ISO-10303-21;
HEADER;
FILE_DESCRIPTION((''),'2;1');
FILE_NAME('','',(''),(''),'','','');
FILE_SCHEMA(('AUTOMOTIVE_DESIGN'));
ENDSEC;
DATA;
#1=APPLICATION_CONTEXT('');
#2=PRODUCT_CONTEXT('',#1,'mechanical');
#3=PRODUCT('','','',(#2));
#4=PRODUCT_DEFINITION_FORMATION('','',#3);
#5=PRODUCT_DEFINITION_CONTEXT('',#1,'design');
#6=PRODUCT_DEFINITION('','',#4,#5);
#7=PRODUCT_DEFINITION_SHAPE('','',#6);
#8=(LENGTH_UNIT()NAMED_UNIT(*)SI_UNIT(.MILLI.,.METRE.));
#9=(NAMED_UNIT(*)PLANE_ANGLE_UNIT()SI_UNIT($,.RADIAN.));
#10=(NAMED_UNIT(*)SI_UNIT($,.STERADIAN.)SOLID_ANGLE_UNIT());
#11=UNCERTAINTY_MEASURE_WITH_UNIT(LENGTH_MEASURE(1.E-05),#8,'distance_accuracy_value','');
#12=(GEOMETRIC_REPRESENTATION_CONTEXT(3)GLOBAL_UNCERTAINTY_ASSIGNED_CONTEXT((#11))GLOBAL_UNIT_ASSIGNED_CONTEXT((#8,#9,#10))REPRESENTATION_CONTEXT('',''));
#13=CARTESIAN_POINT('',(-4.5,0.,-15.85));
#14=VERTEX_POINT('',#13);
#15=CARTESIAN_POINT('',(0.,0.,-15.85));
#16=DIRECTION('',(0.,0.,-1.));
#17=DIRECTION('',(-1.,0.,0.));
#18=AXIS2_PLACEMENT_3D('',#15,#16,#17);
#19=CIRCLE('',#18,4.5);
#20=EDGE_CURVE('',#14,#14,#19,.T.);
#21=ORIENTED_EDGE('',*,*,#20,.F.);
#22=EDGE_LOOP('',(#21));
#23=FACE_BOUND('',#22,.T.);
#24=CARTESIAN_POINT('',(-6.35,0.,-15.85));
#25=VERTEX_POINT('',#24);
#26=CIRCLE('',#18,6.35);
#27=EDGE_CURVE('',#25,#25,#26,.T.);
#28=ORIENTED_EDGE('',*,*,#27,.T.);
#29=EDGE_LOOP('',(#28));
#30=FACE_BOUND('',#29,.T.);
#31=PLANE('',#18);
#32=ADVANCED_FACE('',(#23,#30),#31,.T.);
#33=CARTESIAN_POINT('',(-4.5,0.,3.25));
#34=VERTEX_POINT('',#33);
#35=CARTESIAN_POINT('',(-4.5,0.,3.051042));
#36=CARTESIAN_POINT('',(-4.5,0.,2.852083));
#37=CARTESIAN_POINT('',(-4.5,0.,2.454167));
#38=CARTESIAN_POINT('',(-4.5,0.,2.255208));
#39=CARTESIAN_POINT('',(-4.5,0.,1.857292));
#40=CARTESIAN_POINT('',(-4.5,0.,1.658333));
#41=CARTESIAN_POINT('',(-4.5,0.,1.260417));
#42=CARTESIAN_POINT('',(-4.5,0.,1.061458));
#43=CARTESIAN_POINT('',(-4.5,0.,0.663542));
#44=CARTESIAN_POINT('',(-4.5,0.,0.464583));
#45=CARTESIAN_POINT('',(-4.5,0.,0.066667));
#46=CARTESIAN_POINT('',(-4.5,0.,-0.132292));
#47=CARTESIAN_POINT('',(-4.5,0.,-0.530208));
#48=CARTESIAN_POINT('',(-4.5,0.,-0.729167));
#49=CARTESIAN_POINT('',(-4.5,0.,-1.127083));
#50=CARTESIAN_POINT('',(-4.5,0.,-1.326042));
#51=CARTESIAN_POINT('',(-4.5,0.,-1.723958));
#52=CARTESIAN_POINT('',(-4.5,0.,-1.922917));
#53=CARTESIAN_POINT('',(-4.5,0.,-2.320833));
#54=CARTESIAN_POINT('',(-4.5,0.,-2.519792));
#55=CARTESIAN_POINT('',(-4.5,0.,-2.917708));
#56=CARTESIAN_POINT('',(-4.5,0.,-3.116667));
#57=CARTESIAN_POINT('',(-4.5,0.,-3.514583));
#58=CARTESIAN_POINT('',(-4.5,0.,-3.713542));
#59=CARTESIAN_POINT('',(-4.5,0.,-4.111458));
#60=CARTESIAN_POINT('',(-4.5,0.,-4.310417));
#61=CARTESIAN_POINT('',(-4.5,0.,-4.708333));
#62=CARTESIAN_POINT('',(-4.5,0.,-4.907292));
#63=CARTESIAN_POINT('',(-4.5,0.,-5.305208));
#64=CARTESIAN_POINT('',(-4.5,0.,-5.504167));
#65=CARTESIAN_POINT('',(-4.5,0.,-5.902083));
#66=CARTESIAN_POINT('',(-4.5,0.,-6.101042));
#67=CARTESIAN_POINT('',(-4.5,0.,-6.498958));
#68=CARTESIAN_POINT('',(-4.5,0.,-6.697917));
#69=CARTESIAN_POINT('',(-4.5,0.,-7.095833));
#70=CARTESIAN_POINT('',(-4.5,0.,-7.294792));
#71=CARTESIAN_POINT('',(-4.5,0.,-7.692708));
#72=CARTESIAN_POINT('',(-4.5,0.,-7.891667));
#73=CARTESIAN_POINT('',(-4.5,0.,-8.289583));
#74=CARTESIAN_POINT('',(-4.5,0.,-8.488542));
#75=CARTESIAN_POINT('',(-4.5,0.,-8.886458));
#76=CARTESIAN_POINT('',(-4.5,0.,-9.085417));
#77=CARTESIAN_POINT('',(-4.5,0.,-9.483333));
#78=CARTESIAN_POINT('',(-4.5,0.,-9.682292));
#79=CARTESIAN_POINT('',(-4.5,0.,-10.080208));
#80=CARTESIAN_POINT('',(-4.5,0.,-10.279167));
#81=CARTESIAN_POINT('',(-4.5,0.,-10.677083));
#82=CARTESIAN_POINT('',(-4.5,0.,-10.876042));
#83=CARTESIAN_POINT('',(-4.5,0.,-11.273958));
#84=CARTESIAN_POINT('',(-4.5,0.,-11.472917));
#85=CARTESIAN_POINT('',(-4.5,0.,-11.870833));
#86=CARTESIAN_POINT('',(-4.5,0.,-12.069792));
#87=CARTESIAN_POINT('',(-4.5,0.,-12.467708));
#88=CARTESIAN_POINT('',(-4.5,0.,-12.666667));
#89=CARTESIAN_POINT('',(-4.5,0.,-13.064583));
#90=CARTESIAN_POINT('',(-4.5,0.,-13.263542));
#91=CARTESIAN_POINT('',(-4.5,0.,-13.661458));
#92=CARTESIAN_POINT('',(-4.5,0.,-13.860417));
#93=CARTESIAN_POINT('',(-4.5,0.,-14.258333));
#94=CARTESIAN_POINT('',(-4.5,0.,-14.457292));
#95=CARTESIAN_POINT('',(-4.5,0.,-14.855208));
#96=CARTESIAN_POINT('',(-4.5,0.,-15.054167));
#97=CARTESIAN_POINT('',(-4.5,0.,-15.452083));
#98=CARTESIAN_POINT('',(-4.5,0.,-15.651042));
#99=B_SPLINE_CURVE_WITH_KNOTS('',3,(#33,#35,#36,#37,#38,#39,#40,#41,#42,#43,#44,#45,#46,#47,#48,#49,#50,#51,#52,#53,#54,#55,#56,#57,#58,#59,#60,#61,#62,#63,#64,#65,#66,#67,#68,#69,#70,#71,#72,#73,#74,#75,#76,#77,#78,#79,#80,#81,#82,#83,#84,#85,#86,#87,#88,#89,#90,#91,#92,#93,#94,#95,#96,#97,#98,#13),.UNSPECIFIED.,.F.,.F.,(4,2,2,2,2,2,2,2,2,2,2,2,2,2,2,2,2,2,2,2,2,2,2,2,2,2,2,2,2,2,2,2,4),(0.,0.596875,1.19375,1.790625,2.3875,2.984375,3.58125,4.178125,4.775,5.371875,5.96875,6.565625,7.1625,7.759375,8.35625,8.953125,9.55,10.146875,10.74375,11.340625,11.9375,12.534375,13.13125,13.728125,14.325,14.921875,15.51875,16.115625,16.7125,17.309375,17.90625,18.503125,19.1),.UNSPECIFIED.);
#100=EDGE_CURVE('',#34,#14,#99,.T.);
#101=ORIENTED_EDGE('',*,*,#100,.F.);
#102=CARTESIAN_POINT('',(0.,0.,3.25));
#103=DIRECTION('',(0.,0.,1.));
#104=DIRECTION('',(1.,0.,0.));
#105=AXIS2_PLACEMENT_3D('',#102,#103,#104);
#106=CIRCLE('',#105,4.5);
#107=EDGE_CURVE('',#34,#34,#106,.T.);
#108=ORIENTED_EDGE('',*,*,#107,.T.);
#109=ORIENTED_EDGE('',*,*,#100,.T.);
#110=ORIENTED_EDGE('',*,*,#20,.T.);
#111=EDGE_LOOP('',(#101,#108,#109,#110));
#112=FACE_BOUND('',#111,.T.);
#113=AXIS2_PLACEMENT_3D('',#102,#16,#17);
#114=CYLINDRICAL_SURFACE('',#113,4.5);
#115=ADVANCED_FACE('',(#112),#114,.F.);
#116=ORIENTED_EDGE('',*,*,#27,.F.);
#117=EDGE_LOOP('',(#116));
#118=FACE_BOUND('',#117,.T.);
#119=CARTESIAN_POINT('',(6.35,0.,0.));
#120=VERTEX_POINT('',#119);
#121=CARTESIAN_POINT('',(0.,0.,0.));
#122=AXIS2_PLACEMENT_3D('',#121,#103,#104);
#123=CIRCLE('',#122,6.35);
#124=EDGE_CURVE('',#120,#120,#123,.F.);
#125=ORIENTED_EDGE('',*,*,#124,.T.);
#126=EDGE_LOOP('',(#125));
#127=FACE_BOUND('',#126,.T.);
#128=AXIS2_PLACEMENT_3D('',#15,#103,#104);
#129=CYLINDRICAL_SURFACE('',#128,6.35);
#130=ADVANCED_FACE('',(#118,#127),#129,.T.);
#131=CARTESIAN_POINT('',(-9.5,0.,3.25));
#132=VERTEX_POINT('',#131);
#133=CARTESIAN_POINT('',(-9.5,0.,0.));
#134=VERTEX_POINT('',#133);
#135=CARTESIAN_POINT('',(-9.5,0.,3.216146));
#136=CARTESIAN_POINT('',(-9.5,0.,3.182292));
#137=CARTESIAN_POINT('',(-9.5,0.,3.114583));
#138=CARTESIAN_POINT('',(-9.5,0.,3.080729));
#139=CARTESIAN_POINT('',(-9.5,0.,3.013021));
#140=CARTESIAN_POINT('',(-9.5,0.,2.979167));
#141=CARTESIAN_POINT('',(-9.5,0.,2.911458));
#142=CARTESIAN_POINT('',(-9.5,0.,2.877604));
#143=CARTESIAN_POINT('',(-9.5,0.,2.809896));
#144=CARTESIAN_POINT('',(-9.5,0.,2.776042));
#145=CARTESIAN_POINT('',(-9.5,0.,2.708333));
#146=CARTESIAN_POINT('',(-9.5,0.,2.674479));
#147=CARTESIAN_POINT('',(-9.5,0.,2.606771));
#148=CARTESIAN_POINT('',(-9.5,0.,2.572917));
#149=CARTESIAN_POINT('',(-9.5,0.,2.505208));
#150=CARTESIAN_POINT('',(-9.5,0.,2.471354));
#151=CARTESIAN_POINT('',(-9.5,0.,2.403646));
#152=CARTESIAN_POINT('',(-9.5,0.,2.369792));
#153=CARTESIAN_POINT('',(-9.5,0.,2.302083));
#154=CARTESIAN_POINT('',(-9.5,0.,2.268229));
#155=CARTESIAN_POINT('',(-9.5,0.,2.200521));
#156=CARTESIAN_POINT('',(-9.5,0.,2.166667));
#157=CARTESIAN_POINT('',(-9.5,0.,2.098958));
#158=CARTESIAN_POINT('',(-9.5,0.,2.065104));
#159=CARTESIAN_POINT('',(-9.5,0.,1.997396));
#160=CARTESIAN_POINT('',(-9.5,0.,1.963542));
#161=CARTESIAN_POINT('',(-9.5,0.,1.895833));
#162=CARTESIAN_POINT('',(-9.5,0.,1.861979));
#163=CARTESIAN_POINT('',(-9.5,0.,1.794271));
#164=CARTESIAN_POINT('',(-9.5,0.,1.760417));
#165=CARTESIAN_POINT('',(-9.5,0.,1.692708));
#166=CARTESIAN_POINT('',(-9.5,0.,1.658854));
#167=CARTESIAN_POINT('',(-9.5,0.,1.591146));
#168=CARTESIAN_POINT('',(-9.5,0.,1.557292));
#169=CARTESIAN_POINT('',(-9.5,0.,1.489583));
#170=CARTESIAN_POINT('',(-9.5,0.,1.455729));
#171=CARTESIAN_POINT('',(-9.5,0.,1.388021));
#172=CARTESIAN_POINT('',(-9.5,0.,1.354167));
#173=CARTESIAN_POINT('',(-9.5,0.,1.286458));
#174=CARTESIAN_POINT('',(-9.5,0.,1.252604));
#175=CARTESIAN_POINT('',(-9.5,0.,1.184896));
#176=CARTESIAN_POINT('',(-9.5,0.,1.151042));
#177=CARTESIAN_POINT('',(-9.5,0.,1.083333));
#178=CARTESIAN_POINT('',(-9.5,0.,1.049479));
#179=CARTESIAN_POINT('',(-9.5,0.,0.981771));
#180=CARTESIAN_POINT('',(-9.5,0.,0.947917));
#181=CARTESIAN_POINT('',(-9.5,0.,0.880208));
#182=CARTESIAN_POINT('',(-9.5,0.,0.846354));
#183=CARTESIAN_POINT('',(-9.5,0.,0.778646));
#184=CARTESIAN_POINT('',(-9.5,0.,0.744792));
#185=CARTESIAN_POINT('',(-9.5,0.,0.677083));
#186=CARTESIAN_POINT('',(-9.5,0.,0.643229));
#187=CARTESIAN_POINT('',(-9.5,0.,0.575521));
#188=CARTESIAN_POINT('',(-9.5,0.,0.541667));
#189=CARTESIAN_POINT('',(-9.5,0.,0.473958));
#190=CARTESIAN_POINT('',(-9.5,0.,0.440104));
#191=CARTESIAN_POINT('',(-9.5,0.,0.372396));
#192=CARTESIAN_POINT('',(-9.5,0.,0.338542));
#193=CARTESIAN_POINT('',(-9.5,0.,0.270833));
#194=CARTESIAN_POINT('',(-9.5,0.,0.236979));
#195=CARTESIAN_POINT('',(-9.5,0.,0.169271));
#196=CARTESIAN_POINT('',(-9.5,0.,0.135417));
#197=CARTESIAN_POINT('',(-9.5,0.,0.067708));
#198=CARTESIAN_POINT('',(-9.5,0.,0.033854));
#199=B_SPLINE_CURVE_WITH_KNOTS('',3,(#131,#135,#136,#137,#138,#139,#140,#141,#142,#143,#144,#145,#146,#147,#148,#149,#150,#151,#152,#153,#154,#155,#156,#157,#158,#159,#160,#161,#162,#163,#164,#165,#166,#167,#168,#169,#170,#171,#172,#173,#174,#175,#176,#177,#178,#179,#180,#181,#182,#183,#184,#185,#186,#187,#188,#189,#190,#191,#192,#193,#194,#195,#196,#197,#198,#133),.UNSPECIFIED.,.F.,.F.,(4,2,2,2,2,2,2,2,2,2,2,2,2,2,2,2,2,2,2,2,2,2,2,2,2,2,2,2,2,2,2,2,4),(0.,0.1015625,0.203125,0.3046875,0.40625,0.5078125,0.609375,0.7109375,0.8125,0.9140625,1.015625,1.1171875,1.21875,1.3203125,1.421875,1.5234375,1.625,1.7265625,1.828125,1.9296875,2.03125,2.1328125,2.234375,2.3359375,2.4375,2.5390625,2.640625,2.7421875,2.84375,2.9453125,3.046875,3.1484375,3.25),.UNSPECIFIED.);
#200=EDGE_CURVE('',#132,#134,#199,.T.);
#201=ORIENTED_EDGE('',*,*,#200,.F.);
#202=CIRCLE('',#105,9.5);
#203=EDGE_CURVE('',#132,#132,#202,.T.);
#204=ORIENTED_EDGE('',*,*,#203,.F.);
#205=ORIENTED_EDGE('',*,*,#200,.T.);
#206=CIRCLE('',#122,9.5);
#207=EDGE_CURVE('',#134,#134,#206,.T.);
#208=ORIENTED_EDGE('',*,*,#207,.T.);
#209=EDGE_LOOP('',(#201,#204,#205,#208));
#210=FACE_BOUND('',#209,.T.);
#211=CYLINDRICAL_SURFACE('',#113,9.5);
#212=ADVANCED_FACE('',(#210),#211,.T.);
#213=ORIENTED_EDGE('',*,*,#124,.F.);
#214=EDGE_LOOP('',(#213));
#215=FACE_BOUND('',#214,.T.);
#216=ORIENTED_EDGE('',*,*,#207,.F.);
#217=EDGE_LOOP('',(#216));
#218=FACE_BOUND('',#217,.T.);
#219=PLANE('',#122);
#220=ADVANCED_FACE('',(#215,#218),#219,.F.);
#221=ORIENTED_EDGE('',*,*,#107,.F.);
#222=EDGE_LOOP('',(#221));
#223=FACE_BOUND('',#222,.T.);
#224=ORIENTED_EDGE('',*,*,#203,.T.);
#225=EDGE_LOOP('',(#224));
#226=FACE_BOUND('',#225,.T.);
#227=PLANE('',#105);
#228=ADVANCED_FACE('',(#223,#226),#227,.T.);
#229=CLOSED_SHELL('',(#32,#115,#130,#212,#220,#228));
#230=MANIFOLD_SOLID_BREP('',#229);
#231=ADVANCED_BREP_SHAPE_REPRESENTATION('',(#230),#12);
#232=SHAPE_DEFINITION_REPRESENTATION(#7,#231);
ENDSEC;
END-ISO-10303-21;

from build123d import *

# Parameters (mm, degrees)
SKETCH_1_R      = 9.5
SKETCH_1_R_2    = 4.5
EXTRUDE_1_DEPTH = 3.25
EXTRUDE_START   = 15.85
SKETCH_2_R      = 6.35
SKETCH_2_R_2    = 4.5
EXTRUDE_2_DEPTH = 15.85


with BuildPart() as part:
    # Эскиз1 → Бобышка-Вытянуть1 (new body)
    with BuildSketch(Plane.XY):
        with Locations(Location((0, 0, 0), (0, 0, 180))):
            Circle(SKETCH_1_R)
        with Locations(Location((0, 0, 0), (0, 0, 180))):
            Circle(SKETCH_1_R_2, mode=Mode.SUBTRACT)
    extrude(amount=EXTRUDE_1_DEPTH)

    # Эскиз2 → Бобышка-Вытянуть2 (add)
    with BuildSketch(Plane(origin=(0, 0, 0), x_dir=(-1, 0, 0), z_dir=(0, 0, -1)).offset(EXTRUDE_START)):
        with Locations(Location((0, 0, 0), (0, 0, 180))):
            Circle(SKETCH_2_R)
        Circle(SKETCH_2_R_2, mode=Mode.SUBTRACT)
    extrude(amount=-EXTRUDE_2_DEPTH)


solid = part.part
